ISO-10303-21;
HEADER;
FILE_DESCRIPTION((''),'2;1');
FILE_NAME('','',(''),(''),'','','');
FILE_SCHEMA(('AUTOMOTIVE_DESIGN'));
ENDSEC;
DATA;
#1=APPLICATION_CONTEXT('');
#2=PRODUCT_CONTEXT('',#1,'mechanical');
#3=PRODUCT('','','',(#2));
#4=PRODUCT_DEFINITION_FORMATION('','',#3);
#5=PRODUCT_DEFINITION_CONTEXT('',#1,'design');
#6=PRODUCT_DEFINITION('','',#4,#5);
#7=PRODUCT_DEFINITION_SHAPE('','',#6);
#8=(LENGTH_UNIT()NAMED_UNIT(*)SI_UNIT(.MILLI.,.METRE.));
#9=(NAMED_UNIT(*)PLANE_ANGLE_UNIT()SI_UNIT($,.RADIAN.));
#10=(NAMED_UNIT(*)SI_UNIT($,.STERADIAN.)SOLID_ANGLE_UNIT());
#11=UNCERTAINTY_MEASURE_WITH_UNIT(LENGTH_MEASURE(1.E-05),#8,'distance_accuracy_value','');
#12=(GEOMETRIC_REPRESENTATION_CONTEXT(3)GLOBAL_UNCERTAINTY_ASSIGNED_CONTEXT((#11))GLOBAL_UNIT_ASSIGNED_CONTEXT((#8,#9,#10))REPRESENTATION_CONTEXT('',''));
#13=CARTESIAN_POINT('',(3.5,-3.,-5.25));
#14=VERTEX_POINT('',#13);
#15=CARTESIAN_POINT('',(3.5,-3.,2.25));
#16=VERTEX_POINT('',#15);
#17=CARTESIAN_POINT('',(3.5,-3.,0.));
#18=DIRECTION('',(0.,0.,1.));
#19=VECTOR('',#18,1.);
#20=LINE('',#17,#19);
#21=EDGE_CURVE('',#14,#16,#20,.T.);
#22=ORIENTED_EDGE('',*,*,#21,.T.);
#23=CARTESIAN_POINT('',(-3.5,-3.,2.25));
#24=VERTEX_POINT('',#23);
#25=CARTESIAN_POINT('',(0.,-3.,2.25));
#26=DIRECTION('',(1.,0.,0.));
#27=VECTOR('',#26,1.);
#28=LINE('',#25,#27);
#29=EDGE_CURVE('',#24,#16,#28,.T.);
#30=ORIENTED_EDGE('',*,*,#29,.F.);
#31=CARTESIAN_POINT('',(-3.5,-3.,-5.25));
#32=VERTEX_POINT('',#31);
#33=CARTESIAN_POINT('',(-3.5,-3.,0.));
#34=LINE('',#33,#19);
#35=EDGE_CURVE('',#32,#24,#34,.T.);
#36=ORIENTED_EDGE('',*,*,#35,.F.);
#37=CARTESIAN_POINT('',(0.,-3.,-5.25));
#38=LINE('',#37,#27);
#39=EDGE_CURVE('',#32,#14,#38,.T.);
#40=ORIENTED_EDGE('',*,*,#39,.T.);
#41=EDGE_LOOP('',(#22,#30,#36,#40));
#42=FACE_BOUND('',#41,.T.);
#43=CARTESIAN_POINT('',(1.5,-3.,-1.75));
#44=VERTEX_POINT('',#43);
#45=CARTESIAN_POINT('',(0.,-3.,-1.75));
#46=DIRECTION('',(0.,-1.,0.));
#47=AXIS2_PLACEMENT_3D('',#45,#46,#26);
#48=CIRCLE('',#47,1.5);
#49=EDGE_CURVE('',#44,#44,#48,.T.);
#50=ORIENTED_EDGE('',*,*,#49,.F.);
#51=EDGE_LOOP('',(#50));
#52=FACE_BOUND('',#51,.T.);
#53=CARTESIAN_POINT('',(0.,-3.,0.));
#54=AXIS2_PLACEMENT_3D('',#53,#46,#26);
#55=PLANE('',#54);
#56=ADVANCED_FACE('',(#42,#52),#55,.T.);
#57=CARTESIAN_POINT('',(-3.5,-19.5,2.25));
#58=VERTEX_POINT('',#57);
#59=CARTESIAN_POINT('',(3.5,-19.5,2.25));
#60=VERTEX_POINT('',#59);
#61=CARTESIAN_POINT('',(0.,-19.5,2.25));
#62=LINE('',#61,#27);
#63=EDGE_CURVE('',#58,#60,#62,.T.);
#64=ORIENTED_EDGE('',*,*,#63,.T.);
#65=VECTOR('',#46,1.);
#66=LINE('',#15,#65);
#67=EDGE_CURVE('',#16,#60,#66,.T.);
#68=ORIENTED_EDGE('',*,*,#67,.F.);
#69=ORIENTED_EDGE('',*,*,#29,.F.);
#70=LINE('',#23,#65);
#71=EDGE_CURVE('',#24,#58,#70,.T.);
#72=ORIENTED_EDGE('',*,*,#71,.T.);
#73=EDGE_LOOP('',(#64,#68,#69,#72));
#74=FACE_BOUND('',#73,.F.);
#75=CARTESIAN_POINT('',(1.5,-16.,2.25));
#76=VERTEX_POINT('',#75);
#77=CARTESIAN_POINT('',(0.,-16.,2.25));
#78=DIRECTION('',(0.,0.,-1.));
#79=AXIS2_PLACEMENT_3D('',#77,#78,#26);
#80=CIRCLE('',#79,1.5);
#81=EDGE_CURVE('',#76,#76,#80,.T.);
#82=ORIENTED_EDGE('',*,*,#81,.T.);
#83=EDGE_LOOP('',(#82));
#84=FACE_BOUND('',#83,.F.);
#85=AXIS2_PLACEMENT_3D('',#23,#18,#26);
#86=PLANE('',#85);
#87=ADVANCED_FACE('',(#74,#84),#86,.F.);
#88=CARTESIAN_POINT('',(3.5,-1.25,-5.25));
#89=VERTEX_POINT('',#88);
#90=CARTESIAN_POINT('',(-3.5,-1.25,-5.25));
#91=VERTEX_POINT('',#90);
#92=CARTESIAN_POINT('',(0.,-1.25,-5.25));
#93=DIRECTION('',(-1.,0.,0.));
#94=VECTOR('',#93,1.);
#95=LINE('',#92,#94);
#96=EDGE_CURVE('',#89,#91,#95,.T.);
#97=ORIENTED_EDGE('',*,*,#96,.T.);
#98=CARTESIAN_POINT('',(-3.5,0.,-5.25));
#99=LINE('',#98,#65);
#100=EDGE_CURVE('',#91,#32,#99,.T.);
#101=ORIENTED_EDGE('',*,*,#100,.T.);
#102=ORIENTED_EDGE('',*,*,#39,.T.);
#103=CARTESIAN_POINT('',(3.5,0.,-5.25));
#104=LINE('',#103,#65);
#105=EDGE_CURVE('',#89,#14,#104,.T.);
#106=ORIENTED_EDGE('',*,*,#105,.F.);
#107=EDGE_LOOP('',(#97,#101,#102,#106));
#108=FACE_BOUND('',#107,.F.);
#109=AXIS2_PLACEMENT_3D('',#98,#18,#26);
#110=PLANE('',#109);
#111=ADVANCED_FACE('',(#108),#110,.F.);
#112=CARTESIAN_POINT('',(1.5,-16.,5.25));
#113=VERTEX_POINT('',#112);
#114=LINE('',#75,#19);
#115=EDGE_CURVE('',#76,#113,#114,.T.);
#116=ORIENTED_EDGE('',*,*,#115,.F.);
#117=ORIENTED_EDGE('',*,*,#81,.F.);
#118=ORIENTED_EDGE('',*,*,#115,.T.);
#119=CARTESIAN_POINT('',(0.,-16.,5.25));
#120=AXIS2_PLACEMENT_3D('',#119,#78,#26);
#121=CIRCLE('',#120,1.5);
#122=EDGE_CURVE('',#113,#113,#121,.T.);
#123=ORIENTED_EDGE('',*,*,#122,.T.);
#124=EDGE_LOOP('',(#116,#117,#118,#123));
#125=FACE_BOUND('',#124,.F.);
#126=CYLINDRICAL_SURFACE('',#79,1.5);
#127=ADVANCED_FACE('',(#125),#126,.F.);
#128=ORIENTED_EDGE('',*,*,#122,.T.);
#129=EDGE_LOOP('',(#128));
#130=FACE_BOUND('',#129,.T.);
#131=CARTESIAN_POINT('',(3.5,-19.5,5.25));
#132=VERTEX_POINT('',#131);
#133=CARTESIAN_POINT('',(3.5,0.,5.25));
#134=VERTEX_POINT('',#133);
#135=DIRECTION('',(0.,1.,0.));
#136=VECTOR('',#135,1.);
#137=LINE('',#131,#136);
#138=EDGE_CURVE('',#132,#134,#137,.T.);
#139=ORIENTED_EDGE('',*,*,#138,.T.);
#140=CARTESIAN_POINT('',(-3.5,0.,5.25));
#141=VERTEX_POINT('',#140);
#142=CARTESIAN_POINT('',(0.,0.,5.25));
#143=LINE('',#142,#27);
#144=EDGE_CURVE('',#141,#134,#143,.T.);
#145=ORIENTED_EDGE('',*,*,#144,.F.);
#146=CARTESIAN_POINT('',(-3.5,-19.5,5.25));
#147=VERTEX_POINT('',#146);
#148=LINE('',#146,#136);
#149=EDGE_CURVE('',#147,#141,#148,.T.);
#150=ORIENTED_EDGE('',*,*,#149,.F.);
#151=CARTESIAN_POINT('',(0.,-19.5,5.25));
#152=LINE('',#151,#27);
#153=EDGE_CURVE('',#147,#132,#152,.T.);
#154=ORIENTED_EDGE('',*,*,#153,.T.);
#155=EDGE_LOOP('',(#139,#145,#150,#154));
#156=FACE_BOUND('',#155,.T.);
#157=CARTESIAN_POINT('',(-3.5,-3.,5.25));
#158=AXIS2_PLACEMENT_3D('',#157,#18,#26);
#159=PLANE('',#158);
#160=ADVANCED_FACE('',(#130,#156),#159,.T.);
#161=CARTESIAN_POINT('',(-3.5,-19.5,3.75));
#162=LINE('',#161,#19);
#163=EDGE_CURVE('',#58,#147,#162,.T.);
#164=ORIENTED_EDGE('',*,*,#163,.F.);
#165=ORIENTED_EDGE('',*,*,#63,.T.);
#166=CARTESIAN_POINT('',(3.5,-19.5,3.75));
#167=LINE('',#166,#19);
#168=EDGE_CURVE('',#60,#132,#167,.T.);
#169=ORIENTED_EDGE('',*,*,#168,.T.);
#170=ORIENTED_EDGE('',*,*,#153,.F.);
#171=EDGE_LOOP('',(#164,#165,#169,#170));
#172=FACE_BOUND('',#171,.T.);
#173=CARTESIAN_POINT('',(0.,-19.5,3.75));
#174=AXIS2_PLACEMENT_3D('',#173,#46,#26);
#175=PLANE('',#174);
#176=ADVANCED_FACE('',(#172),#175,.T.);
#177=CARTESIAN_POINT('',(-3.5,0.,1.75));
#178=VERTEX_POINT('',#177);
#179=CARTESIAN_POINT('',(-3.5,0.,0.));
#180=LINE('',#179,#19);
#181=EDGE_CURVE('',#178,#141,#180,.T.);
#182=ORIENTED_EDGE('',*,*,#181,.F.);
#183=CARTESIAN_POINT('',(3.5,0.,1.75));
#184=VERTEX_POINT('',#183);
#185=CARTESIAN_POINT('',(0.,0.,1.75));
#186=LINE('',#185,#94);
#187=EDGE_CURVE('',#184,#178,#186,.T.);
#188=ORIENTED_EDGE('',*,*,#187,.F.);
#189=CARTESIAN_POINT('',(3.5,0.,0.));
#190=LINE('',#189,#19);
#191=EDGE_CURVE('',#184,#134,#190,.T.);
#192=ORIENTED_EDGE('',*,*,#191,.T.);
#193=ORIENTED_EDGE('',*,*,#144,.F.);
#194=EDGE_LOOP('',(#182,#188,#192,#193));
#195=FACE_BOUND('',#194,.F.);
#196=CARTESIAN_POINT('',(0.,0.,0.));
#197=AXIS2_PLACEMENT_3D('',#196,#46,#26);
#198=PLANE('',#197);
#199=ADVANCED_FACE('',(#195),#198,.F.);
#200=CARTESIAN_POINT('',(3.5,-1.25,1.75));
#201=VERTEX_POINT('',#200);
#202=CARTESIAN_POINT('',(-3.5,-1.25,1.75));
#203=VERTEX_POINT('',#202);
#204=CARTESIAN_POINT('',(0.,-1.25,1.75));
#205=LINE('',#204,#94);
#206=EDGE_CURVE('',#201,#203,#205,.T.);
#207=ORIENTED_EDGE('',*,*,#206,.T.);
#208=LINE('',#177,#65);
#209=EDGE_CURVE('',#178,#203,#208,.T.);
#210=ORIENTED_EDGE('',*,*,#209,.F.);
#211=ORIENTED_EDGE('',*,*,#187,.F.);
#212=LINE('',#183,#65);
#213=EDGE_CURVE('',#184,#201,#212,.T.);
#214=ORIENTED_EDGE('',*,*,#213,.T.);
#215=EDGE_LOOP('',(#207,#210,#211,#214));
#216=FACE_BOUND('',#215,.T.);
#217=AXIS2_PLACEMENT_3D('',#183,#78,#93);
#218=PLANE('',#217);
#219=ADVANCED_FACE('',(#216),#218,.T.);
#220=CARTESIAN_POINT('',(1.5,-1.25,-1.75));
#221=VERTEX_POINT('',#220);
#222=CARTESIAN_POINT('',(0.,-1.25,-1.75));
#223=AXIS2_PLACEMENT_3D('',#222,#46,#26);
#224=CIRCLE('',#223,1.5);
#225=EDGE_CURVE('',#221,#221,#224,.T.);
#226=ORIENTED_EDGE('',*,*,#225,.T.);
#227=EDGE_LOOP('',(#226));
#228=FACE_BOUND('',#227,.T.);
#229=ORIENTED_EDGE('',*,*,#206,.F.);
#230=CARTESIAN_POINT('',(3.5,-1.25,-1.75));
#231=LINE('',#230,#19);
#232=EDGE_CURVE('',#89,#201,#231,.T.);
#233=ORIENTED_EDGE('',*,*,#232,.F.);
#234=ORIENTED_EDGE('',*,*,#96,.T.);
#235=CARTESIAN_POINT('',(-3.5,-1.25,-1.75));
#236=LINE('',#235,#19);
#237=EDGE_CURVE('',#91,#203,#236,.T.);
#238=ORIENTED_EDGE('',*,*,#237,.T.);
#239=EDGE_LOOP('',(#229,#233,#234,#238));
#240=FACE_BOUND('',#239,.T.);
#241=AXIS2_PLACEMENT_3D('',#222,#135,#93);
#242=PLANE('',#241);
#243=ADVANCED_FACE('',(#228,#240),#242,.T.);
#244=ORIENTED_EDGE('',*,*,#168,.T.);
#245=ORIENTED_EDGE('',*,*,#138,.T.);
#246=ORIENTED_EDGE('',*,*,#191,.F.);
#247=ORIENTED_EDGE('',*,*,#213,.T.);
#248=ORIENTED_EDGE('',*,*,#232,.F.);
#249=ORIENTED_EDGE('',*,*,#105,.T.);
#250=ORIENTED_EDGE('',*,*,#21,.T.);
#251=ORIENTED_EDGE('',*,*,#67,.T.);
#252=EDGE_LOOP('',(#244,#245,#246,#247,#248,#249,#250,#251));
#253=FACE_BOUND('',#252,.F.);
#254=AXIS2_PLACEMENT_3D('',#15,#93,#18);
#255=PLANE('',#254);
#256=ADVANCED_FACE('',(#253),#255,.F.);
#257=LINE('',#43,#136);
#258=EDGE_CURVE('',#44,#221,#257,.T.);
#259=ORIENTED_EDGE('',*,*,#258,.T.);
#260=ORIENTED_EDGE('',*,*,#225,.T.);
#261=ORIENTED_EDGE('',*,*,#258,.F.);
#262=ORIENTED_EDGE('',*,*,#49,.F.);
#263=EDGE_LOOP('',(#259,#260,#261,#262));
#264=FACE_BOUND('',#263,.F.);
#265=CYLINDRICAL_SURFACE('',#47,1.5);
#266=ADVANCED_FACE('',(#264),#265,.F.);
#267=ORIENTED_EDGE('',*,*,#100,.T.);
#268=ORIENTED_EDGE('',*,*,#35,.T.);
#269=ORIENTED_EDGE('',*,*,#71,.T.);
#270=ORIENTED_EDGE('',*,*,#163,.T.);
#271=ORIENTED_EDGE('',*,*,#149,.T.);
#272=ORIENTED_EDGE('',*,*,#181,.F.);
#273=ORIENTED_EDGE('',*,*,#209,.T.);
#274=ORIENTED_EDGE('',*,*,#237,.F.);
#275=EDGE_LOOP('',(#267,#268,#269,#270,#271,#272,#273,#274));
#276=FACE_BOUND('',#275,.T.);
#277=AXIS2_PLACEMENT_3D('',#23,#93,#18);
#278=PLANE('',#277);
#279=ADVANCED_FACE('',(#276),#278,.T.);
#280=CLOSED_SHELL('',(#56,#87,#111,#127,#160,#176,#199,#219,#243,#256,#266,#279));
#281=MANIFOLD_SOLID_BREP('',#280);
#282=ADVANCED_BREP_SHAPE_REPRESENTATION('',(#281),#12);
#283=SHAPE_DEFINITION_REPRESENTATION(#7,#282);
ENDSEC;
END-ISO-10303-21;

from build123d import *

# Parameters (mm, degrees)
F0_W     = 7
F0_H     = 10.5
F1_DEPTH = 3
F2_W     = 7
F2_H     = 3
F3_DEPTH = 16.5
F4_R     = 1.5
F5_DEPTH = 25
F6_R     = 1.5
F7_DEPTH = 25
F8_W     = 7
F8_H     = 7
F9_DEPTH = 1.25


with BuildPart() as f1:
    # F0 (on Front) → F1 (new body)
    with BuildSketch(Plane.XZ):
        Rectangle(F0_W, F0_H)
    extrude(amount=F1_DEPTH)

    # F2 (on face) → F3 (join)
    with BuildSketch(Plane.XZ.offset(3)):
        with Locations((0, 3.75)):
            Rectangle(F2_W, F2_H)
    extrude(amount=F3_DEPTH)

    # F4 (on face) → F5 (cut)
    with BuildSketch(Plane.XZ.offset(3)):
        with Locations((0, -1.75)):
            Circle(F4_R)
    extrude(amount=-F5_DEPTH, mode=Mode.SUBTRACT)

    # F6 (on face) → F7 (cut)
    with BuildSketch(Plane(origin=(0, 0, 2.25), x_dir=(1, 0, 0), z_dir=(0, 0, -1))):
        with Locations((0, 16)):
            Circle(F6_R)
    extrude(amount=-F7_DEPTH, mode=Mode.SUBTRACT)

    # F8 (on face) → F9 (cut)
    with BuildSketch(Plane(origin=(0, 0, 0), x_dir=(-1, 0, 0), z_dir=(0, 1, 0))):
        with Locations((0, -1.75)):
            Rectangle(F8_W, F8_H)
    extrude(amount=-F9_DEPTH, mode=Mode.SUBTRACT)


solid = f1.part
